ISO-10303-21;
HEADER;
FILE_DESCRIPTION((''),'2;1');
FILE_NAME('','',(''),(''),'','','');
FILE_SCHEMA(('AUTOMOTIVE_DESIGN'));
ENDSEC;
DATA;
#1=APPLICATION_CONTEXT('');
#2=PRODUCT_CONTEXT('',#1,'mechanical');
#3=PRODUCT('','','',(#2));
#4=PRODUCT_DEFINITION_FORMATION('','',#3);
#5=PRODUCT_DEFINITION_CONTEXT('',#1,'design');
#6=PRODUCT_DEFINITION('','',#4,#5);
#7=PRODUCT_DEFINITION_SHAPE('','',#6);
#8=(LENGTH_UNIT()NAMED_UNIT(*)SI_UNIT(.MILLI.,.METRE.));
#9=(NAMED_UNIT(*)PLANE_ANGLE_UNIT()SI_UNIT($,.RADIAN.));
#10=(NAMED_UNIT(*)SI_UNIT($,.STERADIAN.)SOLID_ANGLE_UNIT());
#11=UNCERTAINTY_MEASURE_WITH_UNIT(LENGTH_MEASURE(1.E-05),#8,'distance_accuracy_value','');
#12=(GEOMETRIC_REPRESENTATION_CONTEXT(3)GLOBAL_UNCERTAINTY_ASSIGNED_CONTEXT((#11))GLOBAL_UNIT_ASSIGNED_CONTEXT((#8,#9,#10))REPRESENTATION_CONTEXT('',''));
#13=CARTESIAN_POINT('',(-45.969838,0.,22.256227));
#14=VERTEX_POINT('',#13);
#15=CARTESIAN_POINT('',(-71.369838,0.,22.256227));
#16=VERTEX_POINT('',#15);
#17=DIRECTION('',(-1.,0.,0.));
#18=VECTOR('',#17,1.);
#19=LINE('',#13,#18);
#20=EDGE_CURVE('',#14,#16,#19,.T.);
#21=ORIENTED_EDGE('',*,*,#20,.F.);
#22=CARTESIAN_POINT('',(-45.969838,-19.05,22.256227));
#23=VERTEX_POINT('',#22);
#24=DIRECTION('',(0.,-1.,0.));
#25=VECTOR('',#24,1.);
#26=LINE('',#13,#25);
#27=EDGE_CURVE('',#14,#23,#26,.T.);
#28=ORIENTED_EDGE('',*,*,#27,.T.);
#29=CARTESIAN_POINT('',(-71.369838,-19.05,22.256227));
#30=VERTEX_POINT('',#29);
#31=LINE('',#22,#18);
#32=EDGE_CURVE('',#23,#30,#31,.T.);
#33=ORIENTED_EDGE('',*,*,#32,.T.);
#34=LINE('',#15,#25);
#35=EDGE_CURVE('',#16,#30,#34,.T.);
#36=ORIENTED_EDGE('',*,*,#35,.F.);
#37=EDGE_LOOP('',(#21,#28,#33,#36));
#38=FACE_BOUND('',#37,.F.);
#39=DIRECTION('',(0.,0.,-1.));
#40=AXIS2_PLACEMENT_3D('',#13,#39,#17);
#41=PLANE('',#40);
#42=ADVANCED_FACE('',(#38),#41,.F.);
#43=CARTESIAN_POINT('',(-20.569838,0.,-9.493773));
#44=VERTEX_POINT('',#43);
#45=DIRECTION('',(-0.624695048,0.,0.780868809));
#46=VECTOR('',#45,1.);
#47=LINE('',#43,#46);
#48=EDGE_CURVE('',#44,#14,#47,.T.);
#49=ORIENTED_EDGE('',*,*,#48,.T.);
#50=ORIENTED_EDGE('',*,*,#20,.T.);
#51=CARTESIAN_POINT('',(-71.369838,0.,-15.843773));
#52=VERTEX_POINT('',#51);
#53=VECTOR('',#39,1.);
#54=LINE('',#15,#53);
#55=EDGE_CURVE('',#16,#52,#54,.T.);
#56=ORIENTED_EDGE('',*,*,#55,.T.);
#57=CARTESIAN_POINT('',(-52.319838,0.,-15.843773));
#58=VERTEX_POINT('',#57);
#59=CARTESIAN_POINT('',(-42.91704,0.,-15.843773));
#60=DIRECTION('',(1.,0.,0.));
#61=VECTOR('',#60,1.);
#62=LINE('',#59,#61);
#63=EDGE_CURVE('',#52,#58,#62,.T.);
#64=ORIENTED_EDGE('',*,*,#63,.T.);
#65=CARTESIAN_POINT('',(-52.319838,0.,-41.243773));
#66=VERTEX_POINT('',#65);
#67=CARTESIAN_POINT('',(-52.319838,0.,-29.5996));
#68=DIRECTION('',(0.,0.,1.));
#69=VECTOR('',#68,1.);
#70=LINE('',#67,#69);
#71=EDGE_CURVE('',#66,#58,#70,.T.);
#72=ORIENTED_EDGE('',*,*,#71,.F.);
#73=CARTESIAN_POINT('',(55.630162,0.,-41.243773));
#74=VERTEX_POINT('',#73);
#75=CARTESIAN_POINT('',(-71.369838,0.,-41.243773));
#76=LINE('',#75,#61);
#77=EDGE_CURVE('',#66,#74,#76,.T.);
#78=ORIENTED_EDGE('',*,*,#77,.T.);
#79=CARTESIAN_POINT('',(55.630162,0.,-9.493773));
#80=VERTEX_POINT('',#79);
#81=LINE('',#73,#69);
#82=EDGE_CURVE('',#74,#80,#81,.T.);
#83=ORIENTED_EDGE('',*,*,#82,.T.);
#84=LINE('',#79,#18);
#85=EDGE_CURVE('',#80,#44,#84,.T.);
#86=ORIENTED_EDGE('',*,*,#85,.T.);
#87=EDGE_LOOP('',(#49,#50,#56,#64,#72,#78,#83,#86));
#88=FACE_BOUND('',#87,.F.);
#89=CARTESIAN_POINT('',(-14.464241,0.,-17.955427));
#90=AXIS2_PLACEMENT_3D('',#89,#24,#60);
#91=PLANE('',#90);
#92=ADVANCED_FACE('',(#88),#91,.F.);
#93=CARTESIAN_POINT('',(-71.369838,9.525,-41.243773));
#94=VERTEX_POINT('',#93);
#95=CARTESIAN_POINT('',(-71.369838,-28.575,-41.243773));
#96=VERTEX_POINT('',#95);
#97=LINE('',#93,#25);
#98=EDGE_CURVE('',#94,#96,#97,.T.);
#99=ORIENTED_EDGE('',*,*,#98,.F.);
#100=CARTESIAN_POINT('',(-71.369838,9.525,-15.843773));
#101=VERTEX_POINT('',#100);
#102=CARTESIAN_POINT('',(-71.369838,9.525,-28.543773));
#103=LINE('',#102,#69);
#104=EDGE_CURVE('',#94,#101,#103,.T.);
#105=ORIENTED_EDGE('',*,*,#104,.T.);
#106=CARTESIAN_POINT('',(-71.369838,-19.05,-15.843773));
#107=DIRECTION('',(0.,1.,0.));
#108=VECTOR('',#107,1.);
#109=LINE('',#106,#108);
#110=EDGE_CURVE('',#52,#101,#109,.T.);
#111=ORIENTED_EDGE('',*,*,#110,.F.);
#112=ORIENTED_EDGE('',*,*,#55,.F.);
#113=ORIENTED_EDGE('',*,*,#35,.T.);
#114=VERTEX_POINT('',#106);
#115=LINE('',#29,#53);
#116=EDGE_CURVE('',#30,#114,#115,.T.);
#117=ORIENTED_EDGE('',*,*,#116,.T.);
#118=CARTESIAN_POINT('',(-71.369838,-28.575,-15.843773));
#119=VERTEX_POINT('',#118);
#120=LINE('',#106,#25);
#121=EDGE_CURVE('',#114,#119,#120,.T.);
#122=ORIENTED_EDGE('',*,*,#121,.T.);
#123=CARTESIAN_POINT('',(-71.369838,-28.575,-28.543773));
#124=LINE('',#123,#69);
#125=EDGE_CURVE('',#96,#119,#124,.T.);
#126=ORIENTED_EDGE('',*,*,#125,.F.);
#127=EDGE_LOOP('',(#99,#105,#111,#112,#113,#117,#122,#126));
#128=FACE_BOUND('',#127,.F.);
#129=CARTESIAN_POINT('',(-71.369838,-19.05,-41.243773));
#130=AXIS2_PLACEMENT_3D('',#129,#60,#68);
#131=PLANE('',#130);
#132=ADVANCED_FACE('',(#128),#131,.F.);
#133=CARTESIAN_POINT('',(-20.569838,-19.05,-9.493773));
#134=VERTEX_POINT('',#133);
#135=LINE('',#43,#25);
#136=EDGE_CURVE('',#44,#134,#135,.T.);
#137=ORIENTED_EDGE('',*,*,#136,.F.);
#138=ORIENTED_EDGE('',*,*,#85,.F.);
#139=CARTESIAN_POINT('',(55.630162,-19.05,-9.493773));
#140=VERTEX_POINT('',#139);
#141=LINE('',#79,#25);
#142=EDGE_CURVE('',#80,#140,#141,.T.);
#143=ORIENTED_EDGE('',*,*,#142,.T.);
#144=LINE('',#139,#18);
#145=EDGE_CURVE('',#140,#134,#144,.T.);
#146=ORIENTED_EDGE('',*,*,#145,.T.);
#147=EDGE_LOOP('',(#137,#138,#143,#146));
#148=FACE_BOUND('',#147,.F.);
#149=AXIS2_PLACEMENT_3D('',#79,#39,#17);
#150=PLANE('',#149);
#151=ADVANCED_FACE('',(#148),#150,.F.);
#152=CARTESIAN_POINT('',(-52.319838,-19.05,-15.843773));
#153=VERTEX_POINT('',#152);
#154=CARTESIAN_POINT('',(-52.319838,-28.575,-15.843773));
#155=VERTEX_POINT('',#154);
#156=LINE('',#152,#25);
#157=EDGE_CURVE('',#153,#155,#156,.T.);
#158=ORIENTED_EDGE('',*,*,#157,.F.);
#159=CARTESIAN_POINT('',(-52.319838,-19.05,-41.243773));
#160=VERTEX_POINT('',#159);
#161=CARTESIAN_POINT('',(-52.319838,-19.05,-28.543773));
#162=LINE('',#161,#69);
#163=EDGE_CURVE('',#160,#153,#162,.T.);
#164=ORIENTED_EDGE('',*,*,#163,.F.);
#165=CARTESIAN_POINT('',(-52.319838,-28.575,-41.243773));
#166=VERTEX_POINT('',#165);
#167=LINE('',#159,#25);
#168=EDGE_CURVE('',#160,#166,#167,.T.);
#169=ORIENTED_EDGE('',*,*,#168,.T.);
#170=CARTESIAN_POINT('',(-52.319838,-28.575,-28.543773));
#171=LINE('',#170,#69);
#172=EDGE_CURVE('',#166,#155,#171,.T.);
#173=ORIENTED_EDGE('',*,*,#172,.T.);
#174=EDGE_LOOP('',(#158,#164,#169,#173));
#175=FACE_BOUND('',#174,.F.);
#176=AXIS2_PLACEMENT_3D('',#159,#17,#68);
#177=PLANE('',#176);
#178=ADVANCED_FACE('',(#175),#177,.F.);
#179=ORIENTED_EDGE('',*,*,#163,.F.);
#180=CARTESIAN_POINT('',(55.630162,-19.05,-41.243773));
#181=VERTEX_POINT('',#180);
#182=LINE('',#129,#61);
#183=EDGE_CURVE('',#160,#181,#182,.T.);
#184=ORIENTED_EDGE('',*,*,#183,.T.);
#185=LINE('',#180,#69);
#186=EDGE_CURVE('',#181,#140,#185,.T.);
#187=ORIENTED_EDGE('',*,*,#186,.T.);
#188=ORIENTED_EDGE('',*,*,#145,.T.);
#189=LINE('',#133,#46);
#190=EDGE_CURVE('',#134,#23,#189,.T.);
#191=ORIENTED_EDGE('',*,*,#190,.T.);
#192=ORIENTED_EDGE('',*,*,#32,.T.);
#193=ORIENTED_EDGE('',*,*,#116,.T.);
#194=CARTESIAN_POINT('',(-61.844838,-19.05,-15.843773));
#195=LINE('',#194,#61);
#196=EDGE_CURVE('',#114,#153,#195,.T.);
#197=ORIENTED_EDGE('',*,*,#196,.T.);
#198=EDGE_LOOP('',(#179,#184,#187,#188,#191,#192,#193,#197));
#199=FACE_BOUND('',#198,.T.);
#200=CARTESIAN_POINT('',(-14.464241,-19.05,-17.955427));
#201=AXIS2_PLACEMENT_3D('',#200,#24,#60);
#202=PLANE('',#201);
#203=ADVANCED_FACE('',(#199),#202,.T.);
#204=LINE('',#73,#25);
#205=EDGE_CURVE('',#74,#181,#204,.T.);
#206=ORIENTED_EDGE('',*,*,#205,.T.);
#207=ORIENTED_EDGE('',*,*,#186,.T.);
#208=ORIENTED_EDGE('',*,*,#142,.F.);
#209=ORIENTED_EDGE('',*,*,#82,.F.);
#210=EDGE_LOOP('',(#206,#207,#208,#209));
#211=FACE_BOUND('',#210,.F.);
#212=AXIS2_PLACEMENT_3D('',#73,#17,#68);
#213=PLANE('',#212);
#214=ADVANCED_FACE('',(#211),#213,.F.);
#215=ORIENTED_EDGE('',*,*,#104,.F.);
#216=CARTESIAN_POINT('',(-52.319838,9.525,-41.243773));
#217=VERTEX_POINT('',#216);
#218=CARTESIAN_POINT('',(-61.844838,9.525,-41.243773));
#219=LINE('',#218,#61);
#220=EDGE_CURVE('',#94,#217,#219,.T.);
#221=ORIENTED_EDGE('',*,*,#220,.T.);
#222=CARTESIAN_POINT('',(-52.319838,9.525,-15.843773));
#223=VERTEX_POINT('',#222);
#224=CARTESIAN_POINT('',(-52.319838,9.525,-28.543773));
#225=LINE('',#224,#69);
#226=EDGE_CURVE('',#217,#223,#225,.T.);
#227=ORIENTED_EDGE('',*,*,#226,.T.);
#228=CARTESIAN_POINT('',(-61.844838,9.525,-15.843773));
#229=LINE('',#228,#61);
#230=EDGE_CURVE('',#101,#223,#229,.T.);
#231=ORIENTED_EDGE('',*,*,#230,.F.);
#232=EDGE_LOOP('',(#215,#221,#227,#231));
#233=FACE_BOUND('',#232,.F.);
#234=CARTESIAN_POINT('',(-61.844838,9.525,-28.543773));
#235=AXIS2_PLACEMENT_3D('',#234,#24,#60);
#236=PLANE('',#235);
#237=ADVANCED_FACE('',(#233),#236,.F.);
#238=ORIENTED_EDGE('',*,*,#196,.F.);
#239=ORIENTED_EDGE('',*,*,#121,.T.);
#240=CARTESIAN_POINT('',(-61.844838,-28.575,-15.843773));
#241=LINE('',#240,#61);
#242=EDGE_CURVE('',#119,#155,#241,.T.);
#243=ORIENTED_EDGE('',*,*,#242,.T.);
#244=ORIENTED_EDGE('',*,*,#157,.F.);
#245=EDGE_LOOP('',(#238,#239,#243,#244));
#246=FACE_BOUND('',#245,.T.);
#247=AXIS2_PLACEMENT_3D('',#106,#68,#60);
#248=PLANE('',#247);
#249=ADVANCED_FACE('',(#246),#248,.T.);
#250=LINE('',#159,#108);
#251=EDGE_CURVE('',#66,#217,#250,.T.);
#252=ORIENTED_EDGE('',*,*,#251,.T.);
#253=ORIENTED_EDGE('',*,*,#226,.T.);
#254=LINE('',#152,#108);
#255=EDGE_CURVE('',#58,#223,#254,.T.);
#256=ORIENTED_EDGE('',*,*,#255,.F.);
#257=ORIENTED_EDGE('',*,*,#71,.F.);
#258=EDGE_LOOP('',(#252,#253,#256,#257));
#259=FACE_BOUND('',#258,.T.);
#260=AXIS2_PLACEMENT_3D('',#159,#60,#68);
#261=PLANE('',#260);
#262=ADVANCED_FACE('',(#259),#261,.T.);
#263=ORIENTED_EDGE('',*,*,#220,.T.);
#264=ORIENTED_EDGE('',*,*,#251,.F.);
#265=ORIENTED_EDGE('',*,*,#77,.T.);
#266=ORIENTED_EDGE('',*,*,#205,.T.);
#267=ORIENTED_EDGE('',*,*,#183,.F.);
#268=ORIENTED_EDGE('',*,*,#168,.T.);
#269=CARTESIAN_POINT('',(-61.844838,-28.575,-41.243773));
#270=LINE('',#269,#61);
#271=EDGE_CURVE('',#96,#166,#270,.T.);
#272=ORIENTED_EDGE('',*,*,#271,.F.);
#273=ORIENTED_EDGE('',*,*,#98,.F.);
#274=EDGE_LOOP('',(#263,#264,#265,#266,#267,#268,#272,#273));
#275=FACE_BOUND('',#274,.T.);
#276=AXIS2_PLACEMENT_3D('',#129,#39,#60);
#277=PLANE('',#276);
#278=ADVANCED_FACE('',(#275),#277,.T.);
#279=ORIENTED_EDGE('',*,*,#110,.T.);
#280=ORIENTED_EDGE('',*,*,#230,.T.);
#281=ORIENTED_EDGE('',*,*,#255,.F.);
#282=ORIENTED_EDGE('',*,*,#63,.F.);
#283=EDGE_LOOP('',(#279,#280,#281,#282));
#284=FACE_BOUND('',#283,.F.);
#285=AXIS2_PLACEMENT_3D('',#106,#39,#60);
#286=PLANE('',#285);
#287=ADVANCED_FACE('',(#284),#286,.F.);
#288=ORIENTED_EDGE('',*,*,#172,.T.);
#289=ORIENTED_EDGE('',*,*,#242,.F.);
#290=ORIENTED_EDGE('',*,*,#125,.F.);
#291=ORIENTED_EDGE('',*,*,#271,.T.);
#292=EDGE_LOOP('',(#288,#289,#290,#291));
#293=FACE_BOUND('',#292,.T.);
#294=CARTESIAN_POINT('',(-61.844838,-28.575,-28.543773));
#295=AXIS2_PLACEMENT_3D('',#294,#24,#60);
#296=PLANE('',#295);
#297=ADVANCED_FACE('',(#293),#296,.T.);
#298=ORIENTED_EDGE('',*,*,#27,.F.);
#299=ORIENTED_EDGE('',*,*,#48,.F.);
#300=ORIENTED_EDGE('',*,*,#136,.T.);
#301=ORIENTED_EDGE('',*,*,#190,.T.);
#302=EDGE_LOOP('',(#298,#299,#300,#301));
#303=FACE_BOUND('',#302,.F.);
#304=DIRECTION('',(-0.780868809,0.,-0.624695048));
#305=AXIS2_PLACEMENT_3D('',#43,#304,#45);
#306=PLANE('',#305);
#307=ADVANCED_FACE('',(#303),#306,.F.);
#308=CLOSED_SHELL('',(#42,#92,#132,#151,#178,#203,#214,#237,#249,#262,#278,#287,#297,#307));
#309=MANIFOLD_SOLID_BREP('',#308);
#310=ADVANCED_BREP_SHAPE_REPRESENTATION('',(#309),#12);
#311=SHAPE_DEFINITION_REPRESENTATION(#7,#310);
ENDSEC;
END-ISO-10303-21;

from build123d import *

# Parameters (mm, degrees)
F1_DEPTH      = 19.05
F2_W          = 19.05
F2_H          = 25.4
F3_DEPTH      = 9.525
F3_DEPTH_BACK = 28.575


with BuildPart() as f1:
    # F0 (on Front) → F1 (new body)
    with BuildSketch(Plane.XZ):
        Polygon((-71.369838, 22.256227), (-71.369838, -41.243773), (55.630162, -41.243773), (55.630162, -9.493773), (-20.569838, -9.493773), (-45.969838, 22.256227), align=None)
    extrude(amount=F1_DEPTH)

    # F2 (on face) → F3 (join, two sides)
    with BuildSketch(Plane.XZ.offset(19.05)) as f3_sk:
        with Locations((-61.844838, -28.543773)):
            Rectangle(F2_W, F2_H)
    extrude(amount=F3_DEPTH)
    extrude(f3_sk.sketch, amount=-F3_DEPTH_BACK)


solid = f1.part
